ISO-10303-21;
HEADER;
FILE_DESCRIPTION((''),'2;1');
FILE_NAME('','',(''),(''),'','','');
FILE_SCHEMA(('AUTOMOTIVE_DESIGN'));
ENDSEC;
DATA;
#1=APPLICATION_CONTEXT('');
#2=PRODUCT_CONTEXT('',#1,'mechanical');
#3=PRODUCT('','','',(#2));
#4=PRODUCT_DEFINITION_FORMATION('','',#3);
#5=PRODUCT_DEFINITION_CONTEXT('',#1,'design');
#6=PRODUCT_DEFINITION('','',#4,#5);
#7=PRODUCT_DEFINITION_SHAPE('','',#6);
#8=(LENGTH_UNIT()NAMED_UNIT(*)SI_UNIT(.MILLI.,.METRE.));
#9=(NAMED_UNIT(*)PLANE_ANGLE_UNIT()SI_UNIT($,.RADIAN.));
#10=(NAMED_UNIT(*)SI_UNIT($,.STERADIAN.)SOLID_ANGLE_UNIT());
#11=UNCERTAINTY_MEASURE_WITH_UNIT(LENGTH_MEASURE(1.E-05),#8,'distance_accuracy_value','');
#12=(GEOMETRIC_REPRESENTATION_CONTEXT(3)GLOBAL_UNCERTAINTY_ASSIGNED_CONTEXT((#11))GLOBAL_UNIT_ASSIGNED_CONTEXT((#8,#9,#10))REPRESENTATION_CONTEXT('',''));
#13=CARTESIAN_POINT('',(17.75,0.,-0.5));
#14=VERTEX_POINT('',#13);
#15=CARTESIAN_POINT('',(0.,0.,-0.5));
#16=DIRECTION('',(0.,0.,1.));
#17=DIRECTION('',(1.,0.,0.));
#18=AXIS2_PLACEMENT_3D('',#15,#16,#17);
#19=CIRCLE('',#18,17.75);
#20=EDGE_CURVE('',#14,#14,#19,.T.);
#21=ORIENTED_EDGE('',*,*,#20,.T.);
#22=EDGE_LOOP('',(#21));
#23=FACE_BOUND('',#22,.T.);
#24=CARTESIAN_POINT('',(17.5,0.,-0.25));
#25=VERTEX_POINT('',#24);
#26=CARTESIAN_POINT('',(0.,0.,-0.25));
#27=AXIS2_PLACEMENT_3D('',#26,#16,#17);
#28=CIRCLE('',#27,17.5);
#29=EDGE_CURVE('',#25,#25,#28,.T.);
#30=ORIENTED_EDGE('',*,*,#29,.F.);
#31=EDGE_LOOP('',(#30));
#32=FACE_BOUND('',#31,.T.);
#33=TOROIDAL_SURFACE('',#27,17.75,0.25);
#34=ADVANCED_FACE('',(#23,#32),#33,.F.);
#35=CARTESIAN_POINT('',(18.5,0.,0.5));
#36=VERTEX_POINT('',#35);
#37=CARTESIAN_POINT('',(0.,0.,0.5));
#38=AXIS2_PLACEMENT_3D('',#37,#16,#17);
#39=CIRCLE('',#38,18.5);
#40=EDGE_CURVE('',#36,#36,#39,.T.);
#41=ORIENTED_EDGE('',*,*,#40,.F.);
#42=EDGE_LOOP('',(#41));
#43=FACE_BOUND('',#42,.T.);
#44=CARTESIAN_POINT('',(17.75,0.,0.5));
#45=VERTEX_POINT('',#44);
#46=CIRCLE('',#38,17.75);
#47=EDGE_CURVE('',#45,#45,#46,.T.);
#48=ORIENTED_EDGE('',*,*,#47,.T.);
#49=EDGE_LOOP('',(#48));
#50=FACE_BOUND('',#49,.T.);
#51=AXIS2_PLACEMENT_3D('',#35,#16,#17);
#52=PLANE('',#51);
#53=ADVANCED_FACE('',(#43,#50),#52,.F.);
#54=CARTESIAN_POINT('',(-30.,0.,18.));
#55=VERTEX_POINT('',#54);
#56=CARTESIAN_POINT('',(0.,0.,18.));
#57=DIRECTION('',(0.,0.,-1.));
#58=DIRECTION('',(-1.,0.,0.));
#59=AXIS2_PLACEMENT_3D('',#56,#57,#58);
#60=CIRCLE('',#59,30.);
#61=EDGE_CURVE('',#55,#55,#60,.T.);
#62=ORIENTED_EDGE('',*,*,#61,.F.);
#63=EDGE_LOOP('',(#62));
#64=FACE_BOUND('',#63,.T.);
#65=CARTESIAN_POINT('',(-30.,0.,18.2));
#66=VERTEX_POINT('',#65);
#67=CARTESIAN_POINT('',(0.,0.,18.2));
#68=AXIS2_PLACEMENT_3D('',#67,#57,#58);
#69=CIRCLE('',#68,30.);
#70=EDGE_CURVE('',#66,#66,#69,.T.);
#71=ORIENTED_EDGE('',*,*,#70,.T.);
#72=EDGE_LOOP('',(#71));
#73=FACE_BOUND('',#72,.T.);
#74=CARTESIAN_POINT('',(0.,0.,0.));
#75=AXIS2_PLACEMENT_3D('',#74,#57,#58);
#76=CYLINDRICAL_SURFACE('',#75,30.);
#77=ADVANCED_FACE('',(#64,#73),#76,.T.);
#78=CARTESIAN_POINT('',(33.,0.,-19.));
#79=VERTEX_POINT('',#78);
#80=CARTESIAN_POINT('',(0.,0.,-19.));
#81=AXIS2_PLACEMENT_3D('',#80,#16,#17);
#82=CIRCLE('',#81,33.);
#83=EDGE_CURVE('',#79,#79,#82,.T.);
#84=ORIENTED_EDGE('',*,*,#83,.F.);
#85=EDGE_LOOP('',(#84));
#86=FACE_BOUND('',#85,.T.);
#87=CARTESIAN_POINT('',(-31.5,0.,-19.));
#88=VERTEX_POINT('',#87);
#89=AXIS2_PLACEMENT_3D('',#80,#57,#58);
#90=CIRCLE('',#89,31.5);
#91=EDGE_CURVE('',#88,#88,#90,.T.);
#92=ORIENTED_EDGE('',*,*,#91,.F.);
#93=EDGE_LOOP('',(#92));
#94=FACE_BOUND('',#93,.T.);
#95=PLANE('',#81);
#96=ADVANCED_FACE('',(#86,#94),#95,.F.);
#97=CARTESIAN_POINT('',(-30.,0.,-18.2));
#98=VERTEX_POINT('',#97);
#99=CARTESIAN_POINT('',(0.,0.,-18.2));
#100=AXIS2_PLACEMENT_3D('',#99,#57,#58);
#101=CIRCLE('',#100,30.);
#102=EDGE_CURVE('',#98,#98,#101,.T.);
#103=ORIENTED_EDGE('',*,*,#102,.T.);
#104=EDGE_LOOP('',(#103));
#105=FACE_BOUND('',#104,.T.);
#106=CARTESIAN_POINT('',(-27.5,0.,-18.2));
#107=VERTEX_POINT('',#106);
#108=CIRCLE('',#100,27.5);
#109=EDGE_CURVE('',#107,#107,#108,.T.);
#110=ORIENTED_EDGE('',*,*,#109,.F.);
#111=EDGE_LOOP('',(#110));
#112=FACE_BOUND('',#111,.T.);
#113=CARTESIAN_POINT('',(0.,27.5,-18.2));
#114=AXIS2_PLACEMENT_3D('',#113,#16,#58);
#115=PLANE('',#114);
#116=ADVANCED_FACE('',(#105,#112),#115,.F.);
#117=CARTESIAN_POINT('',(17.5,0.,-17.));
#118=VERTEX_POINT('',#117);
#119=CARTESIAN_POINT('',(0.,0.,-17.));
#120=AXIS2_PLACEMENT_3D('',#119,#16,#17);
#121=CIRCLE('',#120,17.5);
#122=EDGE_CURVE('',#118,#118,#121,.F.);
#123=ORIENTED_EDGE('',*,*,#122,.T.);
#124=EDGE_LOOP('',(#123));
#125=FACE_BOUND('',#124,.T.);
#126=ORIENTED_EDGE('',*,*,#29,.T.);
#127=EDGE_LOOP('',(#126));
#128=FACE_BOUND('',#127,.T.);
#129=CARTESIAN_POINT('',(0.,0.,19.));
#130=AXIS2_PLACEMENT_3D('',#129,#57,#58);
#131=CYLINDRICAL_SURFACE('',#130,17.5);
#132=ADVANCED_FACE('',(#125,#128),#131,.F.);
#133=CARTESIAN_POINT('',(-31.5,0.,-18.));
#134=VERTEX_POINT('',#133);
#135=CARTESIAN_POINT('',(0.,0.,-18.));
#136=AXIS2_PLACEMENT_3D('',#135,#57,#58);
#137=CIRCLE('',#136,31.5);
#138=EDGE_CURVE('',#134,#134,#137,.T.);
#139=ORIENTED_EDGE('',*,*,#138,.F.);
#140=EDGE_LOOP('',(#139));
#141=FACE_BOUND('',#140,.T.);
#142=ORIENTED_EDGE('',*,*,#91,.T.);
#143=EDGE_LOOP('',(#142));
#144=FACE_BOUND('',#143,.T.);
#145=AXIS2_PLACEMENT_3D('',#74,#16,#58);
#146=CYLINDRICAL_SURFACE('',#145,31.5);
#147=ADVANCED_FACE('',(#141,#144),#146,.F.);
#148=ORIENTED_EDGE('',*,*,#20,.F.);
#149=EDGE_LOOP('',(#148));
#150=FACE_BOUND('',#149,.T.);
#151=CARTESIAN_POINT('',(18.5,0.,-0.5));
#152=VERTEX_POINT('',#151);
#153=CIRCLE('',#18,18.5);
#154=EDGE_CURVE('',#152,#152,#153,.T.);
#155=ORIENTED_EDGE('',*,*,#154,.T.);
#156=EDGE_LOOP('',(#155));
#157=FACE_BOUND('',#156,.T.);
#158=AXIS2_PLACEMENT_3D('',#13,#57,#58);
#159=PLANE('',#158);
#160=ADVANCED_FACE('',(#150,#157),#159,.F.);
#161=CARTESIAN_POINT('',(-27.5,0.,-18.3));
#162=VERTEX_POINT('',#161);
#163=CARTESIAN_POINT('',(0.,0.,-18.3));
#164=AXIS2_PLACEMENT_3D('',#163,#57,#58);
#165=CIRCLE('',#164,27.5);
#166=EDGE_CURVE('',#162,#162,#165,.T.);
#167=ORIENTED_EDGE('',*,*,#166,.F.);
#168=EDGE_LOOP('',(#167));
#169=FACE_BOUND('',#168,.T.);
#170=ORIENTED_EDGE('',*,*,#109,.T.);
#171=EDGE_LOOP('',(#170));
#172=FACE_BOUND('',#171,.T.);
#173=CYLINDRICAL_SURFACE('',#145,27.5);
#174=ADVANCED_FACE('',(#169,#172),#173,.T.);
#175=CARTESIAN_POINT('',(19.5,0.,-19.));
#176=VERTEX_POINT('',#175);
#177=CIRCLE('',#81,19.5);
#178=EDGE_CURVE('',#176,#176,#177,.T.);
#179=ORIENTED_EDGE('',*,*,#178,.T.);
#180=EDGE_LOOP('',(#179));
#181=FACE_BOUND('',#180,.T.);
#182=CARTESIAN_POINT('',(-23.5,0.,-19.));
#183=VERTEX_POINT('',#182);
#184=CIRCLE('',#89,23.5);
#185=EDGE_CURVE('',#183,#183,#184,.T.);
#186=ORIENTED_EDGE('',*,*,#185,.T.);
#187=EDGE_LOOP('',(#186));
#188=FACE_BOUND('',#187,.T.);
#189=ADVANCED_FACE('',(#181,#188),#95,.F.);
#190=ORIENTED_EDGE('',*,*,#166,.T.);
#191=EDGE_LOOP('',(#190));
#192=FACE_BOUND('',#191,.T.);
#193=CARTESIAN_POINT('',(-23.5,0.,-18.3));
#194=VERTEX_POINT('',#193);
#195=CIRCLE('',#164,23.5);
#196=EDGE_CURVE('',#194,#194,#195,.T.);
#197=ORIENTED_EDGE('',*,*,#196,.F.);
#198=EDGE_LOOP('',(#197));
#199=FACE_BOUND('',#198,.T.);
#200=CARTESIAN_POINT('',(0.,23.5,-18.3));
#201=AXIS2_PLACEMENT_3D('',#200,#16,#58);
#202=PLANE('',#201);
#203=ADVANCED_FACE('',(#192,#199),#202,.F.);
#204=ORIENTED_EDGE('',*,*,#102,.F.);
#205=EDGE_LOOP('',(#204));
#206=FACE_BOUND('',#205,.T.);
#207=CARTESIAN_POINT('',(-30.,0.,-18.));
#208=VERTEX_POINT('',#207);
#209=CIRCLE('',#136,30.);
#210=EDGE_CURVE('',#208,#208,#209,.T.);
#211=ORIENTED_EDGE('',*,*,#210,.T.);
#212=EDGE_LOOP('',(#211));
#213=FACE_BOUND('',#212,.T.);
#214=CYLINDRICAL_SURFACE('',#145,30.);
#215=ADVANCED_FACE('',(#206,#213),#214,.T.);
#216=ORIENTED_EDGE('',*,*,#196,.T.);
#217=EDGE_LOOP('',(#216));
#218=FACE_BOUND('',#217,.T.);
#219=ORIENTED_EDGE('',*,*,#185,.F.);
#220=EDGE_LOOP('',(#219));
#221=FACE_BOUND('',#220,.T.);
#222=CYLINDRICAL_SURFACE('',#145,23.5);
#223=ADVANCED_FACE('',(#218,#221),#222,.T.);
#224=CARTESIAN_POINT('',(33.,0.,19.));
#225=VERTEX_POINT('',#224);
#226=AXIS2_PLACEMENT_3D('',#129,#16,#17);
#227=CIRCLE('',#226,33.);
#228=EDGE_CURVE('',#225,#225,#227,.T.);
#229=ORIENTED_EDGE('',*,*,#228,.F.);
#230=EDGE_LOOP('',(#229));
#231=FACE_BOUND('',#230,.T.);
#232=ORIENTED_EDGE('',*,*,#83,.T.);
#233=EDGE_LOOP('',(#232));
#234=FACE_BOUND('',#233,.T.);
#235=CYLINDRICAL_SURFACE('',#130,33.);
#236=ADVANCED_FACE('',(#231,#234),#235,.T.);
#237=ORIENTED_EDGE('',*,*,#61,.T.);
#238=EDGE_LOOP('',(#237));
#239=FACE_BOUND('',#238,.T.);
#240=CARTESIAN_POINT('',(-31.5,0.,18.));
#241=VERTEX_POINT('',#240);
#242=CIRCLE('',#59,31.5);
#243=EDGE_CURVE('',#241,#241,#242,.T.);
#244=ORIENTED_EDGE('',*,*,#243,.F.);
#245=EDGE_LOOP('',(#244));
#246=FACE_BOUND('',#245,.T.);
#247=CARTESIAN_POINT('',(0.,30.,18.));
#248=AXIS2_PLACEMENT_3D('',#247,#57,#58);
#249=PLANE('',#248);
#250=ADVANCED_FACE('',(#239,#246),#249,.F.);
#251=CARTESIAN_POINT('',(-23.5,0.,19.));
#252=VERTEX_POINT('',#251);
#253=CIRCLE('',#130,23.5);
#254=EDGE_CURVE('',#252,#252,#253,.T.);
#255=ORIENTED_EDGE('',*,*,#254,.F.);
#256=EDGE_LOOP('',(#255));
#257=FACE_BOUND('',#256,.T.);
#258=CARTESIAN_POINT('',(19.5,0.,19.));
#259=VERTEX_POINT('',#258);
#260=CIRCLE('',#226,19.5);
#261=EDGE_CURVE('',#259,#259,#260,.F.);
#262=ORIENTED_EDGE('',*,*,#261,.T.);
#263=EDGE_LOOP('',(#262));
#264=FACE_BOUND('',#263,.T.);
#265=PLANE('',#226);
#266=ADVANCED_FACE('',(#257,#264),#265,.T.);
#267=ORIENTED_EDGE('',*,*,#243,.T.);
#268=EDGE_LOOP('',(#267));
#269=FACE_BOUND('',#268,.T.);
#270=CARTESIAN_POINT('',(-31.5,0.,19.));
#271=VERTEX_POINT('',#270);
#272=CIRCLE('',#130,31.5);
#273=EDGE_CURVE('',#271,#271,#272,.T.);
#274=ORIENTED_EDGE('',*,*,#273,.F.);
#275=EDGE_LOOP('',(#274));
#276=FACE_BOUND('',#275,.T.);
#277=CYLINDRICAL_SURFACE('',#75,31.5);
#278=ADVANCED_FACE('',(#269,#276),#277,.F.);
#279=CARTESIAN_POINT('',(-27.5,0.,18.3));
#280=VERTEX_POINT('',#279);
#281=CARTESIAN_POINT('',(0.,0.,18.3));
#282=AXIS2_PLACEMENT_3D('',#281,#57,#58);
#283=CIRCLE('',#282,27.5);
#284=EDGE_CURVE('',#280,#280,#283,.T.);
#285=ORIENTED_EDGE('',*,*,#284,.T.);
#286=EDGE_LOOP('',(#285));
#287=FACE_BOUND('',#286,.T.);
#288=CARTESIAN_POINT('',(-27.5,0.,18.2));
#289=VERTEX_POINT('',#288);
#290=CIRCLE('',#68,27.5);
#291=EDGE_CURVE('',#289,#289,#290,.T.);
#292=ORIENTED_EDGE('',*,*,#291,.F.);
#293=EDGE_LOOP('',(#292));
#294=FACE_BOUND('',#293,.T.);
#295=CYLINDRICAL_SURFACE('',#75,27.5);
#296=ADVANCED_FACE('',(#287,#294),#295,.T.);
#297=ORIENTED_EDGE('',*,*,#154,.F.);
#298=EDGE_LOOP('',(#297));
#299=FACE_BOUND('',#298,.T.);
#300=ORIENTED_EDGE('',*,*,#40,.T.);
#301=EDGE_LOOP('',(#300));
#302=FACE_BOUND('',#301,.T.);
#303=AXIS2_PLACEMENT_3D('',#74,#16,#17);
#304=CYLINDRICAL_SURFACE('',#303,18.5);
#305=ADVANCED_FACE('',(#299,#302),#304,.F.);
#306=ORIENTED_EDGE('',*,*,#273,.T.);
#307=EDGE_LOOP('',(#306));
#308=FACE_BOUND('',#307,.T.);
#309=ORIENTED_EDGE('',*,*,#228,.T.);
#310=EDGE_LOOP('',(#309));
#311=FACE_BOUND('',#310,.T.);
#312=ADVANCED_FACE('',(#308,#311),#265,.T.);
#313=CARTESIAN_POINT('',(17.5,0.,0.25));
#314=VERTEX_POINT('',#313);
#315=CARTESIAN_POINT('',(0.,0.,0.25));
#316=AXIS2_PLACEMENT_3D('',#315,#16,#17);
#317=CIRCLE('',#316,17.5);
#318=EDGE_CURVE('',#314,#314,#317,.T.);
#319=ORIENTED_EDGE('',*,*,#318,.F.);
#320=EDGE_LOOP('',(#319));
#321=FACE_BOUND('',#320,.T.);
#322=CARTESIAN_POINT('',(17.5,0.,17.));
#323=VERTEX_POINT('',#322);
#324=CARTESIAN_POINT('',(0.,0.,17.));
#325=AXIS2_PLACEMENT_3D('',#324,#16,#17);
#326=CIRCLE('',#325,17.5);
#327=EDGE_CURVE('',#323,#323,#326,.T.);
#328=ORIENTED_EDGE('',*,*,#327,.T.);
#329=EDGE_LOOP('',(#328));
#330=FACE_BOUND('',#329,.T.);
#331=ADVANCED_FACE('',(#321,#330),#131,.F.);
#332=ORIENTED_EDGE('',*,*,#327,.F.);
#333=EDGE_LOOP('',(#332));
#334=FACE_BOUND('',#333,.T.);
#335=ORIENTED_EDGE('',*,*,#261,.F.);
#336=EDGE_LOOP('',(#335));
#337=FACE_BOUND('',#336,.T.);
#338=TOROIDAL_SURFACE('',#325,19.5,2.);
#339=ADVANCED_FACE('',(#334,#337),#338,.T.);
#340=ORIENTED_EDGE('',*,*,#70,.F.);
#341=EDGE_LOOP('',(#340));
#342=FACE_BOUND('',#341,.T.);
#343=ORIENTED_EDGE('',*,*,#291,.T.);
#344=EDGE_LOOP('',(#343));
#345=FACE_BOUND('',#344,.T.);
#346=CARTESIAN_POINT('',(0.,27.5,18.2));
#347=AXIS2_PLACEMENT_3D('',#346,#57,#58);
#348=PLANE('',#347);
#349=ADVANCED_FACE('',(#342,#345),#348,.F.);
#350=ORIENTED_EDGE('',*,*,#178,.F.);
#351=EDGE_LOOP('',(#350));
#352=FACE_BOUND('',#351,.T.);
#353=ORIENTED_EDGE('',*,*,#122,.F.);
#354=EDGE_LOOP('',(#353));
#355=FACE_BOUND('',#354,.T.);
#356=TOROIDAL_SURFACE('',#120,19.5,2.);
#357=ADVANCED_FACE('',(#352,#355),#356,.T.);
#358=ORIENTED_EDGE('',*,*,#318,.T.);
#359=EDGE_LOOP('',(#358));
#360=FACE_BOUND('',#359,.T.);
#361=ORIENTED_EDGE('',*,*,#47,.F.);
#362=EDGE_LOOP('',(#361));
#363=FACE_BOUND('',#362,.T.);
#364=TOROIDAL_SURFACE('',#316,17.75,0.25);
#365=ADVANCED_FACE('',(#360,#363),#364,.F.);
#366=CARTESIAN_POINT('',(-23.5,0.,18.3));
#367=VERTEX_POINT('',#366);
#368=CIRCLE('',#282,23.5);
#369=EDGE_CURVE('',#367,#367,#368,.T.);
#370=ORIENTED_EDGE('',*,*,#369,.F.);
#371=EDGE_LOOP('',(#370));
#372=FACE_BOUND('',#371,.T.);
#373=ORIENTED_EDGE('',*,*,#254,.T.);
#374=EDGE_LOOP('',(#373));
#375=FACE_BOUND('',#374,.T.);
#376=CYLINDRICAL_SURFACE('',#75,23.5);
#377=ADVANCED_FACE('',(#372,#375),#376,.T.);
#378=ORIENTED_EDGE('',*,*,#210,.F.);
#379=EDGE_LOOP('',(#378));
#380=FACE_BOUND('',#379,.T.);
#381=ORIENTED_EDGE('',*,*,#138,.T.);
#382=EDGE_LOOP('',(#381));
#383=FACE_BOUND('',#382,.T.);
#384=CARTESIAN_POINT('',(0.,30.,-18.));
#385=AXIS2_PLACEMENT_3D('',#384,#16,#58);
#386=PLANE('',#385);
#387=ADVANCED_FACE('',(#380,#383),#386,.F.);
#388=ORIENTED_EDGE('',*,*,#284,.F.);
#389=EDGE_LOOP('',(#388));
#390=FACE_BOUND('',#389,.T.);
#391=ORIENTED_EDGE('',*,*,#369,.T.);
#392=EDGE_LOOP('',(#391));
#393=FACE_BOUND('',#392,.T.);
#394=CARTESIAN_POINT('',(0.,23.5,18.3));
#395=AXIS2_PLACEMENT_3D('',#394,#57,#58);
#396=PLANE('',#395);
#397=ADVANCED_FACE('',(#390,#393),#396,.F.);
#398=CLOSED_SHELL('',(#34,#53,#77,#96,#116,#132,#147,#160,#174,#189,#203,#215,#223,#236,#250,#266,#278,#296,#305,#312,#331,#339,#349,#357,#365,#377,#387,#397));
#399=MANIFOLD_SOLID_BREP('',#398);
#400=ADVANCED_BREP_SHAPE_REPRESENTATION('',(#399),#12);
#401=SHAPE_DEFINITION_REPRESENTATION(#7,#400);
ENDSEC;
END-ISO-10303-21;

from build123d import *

# Parameters (mm, degrees)
CROQUIS1_R              = 33
CROQUIS1_R_2            = 17.5
SALIENTE_EXTRUIR1_DEPTH = 19
REDONDEO1_R             = 2
REDONDEO2_R             = 2


with BuildPart() as part:
    # Croquis1 → Saliente-Extruir1 (new body, symmetric)
    with BuildSketch(Plane.XY):
        Circle(CROQUIS1_R)
        Circle(CROQUIS1_R_2, mode=Mode.SUBTRACT)
    extrude(amount=SALIENTE_EXTRUIR1_DEPTH, both=True)

    # Croquis2 → Cortar-Revolución1 (revolve, cut)
    with BuildSketch(Plane(origin=(0, 0, 0), x_dir=(1, 0, 0), z_dir=(0, 1, 0))):
        with BuildLine():
            Line((17.75, 0.5), (18.5, 0.5))
            Line((18.5, 0.5), (18.5, -0.5))
            Line((18.5, -0.5), (17.75, -0.5))
            ThreePointArc((17.75, -0.5), (17.573223305, -0.426776695), (17.5, -0.25))
            Line((17.5, -0.25), (17.5, 0.25))
            ThreePointArc((17.5, 0.25), (17.573223305, 0.426776695), (17.75, 0.5))
        make_face()
    revolve(axis=Axis((0, 0, 0), (0, 0, -1)), mode=Mode.SUBTRACT)

    # Redondeo1
    redondeo1_edges = [part.edges().sort_by_distance(p)[0] for p in [
        (-17.5, 0, 19),
    ]]
    fillet(redondeo1_edges, radius=REDONDEO1_R)

    # Croquis3 → Cortar-Revolución2 (revolve, cut)
    with BuildSketch(Plane(origin=(0, 0, 0), x_dir=(0, 0, -1), z_dir=(1, 0, 0))):
        Polygon((-19, 23.5), (-19, 31.5), (-18, 31.5), (-18, 30), (-18.2, 30), (-18.2, 27.5), (-18.3, 27.5), (-18.3, 23.5), align=None)
    cortar_revoluci_n2 = revolve(axis=Axis((0, 0, 0), (0, 0, 1)), mode=Mode.SUBTRACT)

    # Redondeo2
    redondeo2_edges = [part.edges().sort_by_distance(p)[0] for p in [
        (-17.5, 0, -19),
    ]]
    fillet(redondeo2_edges, radius=REDONDEO2_R)

    # Simetría1: Cortar-Revolución2 across plane
    add(cortar_revoluci_n2.mirror(Plane.XY), mode=Mode.SUBTRACT)


solid = part.part
